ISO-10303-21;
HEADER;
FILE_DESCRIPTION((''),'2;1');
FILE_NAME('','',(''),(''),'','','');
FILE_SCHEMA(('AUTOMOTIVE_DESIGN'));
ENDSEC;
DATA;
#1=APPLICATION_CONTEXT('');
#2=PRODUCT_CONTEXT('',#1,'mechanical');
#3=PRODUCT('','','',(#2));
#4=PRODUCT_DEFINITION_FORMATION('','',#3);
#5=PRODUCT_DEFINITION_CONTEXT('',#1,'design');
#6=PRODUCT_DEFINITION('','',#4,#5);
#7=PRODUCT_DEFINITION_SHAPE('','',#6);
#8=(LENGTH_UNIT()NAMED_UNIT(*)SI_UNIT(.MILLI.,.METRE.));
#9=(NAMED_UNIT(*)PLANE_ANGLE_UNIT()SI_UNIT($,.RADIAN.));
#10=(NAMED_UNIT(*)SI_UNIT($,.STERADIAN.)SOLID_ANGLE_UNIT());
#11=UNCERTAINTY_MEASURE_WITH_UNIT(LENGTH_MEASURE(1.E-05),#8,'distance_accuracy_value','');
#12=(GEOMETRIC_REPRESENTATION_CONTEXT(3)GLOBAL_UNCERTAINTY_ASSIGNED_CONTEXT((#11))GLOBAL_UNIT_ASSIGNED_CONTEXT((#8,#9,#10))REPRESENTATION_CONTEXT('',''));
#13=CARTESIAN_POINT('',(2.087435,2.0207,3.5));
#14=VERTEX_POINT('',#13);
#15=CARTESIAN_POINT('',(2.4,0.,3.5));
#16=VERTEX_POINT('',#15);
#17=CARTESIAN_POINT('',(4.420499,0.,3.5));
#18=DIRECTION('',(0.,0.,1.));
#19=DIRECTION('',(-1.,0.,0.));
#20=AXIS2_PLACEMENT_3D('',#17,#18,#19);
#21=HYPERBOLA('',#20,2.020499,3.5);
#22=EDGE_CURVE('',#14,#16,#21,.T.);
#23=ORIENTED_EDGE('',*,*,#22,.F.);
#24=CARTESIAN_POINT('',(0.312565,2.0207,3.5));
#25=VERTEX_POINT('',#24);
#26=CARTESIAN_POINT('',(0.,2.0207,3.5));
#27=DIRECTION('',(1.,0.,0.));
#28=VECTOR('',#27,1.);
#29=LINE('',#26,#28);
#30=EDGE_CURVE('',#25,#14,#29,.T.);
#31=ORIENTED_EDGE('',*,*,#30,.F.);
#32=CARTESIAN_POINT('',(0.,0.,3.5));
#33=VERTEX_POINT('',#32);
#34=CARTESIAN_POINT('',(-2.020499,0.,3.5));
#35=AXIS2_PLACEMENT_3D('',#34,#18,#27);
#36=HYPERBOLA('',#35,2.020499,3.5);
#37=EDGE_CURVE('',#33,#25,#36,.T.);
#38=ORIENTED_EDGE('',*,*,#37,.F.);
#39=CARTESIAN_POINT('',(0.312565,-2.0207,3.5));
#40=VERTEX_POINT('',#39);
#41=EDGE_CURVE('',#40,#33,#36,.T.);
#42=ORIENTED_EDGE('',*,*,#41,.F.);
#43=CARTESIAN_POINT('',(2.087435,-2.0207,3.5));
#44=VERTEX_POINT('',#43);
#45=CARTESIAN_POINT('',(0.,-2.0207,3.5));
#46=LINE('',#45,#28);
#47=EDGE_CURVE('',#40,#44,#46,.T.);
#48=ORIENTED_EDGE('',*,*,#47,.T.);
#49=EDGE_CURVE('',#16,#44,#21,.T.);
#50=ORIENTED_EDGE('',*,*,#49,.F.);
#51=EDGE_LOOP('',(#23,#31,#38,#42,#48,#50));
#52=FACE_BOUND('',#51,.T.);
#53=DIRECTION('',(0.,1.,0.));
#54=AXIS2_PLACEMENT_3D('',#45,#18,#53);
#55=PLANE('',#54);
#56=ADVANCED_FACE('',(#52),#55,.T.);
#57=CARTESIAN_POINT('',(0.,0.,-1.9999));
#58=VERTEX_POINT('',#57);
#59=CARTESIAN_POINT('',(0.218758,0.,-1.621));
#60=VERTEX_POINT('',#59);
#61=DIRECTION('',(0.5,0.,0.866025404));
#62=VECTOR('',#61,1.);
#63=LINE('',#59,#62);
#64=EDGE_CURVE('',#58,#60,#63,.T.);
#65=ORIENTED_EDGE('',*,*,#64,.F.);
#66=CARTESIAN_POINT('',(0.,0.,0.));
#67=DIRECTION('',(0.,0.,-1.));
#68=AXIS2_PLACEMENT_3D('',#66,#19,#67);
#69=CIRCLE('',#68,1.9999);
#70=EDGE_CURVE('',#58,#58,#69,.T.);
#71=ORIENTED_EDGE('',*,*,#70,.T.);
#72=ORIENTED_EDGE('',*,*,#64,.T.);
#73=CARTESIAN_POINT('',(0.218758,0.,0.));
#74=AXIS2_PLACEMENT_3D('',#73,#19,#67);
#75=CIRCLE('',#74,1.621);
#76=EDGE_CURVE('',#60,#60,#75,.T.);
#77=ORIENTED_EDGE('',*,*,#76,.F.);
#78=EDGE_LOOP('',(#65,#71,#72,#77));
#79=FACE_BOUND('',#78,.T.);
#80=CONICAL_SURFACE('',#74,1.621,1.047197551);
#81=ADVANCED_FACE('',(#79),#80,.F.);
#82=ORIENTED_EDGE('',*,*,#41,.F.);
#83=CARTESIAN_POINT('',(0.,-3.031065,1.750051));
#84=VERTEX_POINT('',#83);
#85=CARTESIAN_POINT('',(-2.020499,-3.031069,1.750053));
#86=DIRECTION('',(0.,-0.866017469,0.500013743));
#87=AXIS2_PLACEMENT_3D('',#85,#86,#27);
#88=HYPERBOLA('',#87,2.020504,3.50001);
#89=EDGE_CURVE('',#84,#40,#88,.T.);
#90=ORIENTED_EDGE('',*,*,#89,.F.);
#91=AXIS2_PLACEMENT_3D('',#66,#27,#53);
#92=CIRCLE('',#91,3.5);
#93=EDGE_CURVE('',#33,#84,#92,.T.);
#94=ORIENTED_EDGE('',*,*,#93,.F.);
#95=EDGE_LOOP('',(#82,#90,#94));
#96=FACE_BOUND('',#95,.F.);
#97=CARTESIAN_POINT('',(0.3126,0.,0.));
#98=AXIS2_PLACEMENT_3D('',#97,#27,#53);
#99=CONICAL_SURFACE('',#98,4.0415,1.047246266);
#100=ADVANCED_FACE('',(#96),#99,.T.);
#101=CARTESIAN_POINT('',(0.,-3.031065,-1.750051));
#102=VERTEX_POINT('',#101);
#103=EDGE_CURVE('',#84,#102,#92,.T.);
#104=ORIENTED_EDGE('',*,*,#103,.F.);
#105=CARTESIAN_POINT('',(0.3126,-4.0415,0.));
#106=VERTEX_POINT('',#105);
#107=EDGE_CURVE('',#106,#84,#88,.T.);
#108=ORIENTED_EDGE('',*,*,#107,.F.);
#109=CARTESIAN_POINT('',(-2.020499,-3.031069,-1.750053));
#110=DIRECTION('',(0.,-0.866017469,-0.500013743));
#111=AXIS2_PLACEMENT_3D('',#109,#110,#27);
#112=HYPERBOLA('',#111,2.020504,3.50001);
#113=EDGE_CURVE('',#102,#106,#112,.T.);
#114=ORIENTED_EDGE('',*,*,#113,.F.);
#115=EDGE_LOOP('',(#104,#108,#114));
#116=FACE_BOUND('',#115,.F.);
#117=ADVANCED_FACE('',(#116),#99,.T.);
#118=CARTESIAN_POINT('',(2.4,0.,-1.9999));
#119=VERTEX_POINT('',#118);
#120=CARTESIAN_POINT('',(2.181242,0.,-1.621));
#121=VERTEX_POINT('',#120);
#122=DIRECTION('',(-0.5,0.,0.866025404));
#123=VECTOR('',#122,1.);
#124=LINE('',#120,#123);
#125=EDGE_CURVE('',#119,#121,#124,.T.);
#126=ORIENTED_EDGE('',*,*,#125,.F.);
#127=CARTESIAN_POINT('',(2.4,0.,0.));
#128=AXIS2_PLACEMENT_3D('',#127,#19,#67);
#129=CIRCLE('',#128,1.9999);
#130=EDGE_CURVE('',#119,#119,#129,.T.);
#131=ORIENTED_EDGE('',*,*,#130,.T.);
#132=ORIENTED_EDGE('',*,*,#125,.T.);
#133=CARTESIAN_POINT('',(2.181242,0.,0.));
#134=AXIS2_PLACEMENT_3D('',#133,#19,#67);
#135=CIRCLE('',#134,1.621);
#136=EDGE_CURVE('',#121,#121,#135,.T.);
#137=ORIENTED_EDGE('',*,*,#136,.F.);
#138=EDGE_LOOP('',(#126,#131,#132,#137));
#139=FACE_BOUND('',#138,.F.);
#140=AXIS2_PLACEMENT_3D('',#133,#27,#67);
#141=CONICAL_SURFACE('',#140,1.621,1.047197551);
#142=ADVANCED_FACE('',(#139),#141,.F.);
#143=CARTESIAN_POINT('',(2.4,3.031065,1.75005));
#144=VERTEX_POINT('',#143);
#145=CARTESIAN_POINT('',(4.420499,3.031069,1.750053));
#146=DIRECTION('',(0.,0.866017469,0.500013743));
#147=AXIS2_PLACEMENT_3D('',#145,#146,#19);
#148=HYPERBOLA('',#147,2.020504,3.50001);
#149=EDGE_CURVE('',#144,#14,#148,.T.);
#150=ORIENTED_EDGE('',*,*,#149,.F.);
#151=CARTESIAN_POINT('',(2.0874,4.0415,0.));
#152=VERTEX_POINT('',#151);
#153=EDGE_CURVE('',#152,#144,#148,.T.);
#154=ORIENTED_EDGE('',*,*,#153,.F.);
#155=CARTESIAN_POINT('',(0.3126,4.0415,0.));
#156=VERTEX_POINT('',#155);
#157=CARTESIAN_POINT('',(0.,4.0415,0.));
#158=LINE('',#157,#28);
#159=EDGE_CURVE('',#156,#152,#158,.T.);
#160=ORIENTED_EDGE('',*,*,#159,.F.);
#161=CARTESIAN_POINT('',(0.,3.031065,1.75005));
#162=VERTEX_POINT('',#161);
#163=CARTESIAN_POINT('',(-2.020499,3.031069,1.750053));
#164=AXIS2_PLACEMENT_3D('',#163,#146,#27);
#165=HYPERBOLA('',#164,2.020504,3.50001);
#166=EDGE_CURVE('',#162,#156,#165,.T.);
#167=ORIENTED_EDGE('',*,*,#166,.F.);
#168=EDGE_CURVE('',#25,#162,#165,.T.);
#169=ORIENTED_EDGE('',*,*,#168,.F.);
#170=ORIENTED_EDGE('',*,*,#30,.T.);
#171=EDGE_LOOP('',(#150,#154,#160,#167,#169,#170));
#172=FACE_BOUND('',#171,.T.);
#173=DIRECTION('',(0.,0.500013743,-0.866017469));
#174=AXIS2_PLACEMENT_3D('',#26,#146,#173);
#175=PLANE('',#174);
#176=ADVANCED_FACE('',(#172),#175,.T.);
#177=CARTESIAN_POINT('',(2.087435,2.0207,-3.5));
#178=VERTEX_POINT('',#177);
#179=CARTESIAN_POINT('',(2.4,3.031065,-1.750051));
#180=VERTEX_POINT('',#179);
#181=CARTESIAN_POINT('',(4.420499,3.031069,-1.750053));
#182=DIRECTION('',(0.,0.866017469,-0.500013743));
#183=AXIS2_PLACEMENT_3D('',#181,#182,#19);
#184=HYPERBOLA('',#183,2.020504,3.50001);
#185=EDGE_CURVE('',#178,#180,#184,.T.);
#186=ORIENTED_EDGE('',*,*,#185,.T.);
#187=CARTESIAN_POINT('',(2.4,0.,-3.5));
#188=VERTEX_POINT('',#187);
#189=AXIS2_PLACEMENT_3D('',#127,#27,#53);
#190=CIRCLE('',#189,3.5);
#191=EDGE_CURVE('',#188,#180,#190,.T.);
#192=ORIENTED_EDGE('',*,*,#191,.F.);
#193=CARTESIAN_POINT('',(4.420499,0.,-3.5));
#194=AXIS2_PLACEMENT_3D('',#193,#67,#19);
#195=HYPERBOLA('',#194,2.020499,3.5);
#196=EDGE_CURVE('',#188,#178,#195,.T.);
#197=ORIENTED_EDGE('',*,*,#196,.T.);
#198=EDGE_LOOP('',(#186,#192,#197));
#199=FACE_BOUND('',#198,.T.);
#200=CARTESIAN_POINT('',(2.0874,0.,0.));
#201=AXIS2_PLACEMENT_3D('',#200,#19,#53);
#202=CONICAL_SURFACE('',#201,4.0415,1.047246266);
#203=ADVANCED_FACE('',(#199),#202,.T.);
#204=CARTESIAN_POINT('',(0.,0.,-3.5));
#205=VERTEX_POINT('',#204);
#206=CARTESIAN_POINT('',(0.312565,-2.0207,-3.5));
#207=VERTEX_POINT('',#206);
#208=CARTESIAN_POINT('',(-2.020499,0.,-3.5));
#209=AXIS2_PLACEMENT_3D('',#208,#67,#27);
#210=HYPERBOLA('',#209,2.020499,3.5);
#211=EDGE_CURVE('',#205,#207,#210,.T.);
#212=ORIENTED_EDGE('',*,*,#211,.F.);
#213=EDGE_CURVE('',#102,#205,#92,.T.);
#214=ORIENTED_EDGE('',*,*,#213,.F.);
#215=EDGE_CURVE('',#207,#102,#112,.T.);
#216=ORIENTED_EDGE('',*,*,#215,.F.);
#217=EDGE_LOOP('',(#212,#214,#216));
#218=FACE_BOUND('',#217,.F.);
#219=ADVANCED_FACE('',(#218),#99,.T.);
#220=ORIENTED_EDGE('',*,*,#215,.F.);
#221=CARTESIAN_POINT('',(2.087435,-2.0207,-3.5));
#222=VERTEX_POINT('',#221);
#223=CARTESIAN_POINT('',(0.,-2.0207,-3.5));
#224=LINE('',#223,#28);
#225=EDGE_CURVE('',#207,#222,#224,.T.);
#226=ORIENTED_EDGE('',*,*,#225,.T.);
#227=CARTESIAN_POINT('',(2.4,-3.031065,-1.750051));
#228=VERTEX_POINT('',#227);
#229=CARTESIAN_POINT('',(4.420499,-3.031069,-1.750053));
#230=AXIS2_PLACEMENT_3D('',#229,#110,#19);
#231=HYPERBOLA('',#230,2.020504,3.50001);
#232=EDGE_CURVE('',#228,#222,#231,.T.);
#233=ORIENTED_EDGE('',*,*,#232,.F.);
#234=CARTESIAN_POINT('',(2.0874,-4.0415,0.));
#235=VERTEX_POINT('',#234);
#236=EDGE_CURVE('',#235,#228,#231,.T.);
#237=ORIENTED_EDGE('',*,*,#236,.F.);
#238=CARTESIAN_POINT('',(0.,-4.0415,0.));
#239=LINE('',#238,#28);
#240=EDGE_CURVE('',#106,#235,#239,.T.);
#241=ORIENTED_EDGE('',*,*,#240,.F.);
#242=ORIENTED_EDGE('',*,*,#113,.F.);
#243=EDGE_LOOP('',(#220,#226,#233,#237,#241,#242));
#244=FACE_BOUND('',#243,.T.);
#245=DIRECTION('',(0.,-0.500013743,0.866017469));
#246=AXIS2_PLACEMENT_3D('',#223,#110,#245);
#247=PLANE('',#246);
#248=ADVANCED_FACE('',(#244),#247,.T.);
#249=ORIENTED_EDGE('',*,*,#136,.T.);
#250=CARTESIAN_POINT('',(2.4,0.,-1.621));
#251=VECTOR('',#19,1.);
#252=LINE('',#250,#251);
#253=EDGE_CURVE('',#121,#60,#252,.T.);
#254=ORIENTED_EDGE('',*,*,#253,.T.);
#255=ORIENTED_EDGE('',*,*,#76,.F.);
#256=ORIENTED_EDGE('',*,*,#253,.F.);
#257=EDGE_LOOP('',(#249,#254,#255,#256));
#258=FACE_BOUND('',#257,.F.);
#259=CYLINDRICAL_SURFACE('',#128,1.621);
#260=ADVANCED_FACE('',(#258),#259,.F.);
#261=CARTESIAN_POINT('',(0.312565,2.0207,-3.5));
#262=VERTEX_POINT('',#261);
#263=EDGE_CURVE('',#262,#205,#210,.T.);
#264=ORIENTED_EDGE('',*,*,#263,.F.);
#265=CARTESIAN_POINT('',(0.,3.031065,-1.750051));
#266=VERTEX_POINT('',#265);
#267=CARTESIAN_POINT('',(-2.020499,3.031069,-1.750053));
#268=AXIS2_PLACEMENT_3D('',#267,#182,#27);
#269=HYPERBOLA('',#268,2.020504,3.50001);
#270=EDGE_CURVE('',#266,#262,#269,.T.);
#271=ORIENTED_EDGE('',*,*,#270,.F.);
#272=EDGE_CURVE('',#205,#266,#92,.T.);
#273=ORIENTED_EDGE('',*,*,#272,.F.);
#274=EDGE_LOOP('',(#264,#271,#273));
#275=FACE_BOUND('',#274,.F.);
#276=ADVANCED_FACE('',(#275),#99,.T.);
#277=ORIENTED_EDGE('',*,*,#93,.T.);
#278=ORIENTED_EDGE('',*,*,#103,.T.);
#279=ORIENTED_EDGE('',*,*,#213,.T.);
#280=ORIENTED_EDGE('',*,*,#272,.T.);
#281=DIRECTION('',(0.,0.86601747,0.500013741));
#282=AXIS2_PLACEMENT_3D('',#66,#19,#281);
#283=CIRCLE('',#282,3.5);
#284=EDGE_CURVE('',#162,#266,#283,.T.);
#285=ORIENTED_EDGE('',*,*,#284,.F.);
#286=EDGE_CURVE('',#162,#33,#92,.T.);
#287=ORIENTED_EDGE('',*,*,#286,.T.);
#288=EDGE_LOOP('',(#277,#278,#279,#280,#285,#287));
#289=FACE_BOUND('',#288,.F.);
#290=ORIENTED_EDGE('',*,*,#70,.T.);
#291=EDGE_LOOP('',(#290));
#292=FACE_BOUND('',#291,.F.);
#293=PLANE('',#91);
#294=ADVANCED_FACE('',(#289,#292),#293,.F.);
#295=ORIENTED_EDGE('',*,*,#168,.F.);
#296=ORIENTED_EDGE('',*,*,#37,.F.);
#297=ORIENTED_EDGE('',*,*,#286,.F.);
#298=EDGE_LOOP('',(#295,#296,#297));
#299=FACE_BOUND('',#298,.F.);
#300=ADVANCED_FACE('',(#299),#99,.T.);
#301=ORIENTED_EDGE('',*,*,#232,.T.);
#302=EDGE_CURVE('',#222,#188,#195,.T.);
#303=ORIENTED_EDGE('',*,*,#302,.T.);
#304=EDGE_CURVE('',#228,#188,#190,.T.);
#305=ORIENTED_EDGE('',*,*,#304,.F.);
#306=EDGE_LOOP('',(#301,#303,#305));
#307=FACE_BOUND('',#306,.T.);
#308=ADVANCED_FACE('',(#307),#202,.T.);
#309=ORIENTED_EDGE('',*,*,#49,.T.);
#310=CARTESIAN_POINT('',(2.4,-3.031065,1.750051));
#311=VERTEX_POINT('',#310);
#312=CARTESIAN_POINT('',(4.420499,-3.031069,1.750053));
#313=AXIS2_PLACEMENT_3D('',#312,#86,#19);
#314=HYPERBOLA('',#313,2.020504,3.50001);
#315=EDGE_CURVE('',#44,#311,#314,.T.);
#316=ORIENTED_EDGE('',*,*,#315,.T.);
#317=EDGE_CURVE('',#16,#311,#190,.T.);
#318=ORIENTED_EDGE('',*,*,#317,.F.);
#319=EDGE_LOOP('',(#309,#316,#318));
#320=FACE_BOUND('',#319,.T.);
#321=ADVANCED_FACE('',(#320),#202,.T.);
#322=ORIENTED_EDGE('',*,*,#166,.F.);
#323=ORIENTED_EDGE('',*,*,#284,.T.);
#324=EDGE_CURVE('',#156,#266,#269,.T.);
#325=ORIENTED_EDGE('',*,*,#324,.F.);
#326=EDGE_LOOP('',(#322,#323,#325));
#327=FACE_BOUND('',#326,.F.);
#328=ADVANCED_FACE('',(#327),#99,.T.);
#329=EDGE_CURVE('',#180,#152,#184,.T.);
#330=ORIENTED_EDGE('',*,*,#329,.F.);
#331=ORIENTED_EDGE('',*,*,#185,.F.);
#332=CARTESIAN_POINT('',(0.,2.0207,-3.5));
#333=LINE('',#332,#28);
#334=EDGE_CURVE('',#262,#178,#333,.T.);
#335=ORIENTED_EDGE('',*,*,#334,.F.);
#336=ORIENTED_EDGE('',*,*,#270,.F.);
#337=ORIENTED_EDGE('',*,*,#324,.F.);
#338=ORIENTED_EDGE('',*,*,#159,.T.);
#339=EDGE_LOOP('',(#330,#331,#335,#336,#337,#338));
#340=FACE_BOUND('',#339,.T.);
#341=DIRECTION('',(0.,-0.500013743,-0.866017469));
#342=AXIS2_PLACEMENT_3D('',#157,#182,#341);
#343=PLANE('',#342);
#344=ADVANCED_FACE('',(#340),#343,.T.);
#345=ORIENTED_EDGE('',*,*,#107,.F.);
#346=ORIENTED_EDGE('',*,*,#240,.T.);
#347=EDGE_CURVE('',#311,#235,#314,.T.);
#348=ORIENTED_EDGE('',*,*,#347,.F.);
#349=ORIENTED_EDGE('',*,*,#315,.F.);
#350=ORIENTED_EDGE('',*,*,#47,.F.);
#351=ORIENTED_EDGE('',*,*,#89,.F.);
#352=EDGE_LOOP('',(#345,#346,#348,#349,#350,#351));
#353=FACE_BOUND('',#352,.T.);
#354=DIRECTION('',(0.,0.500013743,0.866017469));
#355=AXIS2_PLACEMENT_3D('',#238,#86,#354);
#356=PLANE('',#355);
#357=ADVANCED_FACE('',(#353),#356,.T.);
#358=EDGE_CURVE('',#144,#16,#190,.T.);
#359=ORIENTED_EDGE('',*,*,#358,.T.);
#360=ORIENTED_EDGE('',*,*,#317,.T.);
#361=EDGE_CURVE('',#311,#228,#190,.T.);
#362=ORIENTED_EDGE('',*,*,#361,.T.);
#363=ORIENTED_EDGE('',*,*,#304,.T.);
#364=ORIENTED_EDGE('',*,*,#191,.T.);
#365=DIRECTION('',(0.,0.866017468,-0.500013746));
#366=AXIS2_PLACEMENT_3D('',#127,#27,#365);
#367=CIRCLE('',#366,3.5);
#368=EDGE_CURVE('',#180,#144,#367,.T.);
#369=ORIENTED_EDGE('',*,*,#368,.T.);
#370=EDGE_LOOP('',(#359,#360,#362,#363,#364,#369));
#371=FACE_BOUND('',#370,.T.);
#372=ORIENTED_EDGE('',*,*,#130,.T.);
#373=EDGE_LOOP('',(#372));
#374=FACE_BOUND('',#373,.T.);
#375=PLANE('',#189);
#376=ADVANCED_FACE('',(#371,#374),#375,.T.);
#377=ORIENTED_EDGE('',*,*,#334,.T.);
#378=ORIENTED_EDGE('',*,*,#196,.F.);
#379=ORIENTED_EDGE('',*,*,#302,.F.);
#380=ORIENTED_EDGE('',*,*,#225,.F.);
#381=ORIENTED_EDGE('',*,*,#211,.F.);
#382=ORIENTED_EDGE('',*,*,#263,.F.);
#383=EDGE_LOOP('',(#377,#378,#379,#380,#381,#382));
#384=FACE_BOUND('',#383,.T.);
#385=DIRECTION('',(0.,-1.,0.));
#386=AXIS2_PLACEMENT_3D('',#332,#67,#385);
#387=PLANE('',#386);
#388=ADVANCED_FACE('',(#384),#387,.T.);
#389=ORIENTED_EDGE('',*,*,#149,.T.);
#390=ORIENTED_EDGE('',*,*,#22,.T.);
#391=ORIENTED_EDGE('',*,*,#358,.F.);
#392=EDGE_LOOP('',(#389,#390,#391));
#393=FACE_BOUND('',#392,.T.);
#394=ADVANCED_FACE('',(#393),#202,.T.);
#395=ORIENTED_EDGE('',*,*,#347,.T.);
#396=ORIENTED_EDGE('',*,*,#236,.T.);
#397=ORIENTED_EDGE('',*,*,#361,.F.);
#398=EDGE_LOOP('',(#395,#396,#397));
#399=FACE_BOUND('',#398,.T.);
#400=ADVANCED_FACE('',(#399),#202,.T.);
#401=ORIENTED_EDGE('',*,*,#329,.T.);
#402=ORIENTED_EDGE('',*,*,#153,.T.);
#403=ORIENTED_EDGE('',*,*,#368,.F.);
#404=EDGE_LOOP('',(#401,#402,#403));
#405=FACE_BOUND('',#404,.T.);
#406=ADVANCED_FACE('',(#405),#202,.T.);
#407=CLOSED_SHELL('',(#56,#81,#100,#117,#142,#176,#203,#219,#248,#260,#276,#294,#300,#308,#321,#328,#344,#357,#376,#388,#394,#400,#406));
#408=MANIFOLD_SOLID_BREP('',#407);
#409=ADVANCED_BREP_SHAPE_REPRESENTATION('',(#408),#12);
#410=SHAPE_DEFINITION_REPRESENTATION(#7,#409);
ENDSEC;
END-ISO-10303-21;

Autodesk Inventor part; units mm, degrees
ref_plane "YZ Plane" through (0, 0, 0) normal (1, 0, 0) x (0, 1, 0)
ref_plane "XZ Plane" through (0, 0, 0) normal (0, 1, 0) x (-1, 0, 0)
sketch "Sketch1" plane through (0, 0, 0) normal (1, 0, 0) x (0, 1, 0)
  line L0 (-4.0415, 0) -> (-2.0207, 3.5)
  line L1 (-2.0207, 3.5) -> (2.0207, 3.5)
  line L2 (2.0207, 3.5) -> (4.0415, 0)
  line L3 (4.0415, 0) -> (2.0207, -3.5)
  line L4 (2.0207, -3.5) -> (-2.0207, -3.5)
  line L5 (-2.0207, -3.5) -> (-4.0415, 0)
  point P0 (0, 0)
  point P1 (0, 0)
  dimension "d0" = 8.0829
extrude "Body" add sketch "Sketch1" along normal blind 2.4
sketch "Sketch2" plane through (0, 0, 0) normal (0, 0, 1) x (1, 0, 0)
  line L0 (0, 2.0207) -> (0, 4.0415) projected
  line L1 (0, 4.0415) -> (2.4, 4.0415) projected
  line L2 (2.4, 2.0207) -> (2.4, 4.0415) projected
  line L3 (-0.48, 0) -> (2.88, 0) projected
  line L4 (0.3126, 4.0415) -> (0, 3.5)
  line L5 (2.0874, 4.0415) -> (2.4, 3.5)
  dimension "d3" = 30
  dimension "d4" = 30
  dimension "d5" = 7
  dimension "d6" = 7
revolve "Chamfer1" cut sketch "Sketch2" angle 360 about axis through (-10, 0, 0) along (1, 0, 0)
sketch "Sketch3" plane through (2.4, 0, 0) normal (1, 0, 0) x (0, 0, -1)
  arc A0 (-1.75, -3.0311) -> (1.75, -3.0311) centre (0, 0) ccw projected
hole "Thread" at (2.4, 0, 0) direction (-1, 0, 0) diameter 3.242 end through all thread size "M4x0.7" class "6H" standard "ISO Metric profile"
chamfer "Chamfer2" distance 0.3789 angle 30 1 edges at (2.4, 0, 1.621) measured on face at (2.4, 2.8569, -0.0651)
chamfer "Chamfer3" distance 0.3789 angle 30 1 edges at (0, 0, 1.621) measured on face at (0, 2.8569, -0.0651)
ref_plane "Work Plane1" through (-8.5587, 0, 0) normal (0, -0.866, -0.5) x (1, 0, 0)
equation "\"d0\" = 1.1547 * SW"
equation "\"d1\" = KOH"
equation "\"d3\" = ANG1"
equation "\"d4\" = ANG2"
equation "\"d5\" = SW0"
equation "\"d6\" = SW01"
equation "\"d8\" = -0.5 * GD1 + 0.5 * NND"
equation "\"d40\" = -0.5 * GD1 + 0.5 * NND"
equation "\"d10\" = -0.5 * GD1 + 0.5 * NND"
equation "\"d41\" = -0.5 * GD1 + 0.5 * NND"
equation "\"ANG1\" = 30deg"
equation "\"ANG2\" = 30deg"
equation "\"NND\" = 4"
equation "\"KOH\" = 2.4"
equation "\"SW\" = 7"
equation "\"SW0\" = SW"
equation "\"SW01\" = SW"
equation "\"GUL\" = 0.541266 * PTC"
equation "\"THREADDIA\" = 4"
equation "\"TOA\" = 30deg"
equation "\"PTC\" = 0.7"
equation "\"E0\" = 1.155 * SW"
equation "\"GAL\" = 0.541266 * PTC"
equation "\"GD1\" = 3.242228"
properties part number "AS 1112 - M4" material "Steel, Mild"
